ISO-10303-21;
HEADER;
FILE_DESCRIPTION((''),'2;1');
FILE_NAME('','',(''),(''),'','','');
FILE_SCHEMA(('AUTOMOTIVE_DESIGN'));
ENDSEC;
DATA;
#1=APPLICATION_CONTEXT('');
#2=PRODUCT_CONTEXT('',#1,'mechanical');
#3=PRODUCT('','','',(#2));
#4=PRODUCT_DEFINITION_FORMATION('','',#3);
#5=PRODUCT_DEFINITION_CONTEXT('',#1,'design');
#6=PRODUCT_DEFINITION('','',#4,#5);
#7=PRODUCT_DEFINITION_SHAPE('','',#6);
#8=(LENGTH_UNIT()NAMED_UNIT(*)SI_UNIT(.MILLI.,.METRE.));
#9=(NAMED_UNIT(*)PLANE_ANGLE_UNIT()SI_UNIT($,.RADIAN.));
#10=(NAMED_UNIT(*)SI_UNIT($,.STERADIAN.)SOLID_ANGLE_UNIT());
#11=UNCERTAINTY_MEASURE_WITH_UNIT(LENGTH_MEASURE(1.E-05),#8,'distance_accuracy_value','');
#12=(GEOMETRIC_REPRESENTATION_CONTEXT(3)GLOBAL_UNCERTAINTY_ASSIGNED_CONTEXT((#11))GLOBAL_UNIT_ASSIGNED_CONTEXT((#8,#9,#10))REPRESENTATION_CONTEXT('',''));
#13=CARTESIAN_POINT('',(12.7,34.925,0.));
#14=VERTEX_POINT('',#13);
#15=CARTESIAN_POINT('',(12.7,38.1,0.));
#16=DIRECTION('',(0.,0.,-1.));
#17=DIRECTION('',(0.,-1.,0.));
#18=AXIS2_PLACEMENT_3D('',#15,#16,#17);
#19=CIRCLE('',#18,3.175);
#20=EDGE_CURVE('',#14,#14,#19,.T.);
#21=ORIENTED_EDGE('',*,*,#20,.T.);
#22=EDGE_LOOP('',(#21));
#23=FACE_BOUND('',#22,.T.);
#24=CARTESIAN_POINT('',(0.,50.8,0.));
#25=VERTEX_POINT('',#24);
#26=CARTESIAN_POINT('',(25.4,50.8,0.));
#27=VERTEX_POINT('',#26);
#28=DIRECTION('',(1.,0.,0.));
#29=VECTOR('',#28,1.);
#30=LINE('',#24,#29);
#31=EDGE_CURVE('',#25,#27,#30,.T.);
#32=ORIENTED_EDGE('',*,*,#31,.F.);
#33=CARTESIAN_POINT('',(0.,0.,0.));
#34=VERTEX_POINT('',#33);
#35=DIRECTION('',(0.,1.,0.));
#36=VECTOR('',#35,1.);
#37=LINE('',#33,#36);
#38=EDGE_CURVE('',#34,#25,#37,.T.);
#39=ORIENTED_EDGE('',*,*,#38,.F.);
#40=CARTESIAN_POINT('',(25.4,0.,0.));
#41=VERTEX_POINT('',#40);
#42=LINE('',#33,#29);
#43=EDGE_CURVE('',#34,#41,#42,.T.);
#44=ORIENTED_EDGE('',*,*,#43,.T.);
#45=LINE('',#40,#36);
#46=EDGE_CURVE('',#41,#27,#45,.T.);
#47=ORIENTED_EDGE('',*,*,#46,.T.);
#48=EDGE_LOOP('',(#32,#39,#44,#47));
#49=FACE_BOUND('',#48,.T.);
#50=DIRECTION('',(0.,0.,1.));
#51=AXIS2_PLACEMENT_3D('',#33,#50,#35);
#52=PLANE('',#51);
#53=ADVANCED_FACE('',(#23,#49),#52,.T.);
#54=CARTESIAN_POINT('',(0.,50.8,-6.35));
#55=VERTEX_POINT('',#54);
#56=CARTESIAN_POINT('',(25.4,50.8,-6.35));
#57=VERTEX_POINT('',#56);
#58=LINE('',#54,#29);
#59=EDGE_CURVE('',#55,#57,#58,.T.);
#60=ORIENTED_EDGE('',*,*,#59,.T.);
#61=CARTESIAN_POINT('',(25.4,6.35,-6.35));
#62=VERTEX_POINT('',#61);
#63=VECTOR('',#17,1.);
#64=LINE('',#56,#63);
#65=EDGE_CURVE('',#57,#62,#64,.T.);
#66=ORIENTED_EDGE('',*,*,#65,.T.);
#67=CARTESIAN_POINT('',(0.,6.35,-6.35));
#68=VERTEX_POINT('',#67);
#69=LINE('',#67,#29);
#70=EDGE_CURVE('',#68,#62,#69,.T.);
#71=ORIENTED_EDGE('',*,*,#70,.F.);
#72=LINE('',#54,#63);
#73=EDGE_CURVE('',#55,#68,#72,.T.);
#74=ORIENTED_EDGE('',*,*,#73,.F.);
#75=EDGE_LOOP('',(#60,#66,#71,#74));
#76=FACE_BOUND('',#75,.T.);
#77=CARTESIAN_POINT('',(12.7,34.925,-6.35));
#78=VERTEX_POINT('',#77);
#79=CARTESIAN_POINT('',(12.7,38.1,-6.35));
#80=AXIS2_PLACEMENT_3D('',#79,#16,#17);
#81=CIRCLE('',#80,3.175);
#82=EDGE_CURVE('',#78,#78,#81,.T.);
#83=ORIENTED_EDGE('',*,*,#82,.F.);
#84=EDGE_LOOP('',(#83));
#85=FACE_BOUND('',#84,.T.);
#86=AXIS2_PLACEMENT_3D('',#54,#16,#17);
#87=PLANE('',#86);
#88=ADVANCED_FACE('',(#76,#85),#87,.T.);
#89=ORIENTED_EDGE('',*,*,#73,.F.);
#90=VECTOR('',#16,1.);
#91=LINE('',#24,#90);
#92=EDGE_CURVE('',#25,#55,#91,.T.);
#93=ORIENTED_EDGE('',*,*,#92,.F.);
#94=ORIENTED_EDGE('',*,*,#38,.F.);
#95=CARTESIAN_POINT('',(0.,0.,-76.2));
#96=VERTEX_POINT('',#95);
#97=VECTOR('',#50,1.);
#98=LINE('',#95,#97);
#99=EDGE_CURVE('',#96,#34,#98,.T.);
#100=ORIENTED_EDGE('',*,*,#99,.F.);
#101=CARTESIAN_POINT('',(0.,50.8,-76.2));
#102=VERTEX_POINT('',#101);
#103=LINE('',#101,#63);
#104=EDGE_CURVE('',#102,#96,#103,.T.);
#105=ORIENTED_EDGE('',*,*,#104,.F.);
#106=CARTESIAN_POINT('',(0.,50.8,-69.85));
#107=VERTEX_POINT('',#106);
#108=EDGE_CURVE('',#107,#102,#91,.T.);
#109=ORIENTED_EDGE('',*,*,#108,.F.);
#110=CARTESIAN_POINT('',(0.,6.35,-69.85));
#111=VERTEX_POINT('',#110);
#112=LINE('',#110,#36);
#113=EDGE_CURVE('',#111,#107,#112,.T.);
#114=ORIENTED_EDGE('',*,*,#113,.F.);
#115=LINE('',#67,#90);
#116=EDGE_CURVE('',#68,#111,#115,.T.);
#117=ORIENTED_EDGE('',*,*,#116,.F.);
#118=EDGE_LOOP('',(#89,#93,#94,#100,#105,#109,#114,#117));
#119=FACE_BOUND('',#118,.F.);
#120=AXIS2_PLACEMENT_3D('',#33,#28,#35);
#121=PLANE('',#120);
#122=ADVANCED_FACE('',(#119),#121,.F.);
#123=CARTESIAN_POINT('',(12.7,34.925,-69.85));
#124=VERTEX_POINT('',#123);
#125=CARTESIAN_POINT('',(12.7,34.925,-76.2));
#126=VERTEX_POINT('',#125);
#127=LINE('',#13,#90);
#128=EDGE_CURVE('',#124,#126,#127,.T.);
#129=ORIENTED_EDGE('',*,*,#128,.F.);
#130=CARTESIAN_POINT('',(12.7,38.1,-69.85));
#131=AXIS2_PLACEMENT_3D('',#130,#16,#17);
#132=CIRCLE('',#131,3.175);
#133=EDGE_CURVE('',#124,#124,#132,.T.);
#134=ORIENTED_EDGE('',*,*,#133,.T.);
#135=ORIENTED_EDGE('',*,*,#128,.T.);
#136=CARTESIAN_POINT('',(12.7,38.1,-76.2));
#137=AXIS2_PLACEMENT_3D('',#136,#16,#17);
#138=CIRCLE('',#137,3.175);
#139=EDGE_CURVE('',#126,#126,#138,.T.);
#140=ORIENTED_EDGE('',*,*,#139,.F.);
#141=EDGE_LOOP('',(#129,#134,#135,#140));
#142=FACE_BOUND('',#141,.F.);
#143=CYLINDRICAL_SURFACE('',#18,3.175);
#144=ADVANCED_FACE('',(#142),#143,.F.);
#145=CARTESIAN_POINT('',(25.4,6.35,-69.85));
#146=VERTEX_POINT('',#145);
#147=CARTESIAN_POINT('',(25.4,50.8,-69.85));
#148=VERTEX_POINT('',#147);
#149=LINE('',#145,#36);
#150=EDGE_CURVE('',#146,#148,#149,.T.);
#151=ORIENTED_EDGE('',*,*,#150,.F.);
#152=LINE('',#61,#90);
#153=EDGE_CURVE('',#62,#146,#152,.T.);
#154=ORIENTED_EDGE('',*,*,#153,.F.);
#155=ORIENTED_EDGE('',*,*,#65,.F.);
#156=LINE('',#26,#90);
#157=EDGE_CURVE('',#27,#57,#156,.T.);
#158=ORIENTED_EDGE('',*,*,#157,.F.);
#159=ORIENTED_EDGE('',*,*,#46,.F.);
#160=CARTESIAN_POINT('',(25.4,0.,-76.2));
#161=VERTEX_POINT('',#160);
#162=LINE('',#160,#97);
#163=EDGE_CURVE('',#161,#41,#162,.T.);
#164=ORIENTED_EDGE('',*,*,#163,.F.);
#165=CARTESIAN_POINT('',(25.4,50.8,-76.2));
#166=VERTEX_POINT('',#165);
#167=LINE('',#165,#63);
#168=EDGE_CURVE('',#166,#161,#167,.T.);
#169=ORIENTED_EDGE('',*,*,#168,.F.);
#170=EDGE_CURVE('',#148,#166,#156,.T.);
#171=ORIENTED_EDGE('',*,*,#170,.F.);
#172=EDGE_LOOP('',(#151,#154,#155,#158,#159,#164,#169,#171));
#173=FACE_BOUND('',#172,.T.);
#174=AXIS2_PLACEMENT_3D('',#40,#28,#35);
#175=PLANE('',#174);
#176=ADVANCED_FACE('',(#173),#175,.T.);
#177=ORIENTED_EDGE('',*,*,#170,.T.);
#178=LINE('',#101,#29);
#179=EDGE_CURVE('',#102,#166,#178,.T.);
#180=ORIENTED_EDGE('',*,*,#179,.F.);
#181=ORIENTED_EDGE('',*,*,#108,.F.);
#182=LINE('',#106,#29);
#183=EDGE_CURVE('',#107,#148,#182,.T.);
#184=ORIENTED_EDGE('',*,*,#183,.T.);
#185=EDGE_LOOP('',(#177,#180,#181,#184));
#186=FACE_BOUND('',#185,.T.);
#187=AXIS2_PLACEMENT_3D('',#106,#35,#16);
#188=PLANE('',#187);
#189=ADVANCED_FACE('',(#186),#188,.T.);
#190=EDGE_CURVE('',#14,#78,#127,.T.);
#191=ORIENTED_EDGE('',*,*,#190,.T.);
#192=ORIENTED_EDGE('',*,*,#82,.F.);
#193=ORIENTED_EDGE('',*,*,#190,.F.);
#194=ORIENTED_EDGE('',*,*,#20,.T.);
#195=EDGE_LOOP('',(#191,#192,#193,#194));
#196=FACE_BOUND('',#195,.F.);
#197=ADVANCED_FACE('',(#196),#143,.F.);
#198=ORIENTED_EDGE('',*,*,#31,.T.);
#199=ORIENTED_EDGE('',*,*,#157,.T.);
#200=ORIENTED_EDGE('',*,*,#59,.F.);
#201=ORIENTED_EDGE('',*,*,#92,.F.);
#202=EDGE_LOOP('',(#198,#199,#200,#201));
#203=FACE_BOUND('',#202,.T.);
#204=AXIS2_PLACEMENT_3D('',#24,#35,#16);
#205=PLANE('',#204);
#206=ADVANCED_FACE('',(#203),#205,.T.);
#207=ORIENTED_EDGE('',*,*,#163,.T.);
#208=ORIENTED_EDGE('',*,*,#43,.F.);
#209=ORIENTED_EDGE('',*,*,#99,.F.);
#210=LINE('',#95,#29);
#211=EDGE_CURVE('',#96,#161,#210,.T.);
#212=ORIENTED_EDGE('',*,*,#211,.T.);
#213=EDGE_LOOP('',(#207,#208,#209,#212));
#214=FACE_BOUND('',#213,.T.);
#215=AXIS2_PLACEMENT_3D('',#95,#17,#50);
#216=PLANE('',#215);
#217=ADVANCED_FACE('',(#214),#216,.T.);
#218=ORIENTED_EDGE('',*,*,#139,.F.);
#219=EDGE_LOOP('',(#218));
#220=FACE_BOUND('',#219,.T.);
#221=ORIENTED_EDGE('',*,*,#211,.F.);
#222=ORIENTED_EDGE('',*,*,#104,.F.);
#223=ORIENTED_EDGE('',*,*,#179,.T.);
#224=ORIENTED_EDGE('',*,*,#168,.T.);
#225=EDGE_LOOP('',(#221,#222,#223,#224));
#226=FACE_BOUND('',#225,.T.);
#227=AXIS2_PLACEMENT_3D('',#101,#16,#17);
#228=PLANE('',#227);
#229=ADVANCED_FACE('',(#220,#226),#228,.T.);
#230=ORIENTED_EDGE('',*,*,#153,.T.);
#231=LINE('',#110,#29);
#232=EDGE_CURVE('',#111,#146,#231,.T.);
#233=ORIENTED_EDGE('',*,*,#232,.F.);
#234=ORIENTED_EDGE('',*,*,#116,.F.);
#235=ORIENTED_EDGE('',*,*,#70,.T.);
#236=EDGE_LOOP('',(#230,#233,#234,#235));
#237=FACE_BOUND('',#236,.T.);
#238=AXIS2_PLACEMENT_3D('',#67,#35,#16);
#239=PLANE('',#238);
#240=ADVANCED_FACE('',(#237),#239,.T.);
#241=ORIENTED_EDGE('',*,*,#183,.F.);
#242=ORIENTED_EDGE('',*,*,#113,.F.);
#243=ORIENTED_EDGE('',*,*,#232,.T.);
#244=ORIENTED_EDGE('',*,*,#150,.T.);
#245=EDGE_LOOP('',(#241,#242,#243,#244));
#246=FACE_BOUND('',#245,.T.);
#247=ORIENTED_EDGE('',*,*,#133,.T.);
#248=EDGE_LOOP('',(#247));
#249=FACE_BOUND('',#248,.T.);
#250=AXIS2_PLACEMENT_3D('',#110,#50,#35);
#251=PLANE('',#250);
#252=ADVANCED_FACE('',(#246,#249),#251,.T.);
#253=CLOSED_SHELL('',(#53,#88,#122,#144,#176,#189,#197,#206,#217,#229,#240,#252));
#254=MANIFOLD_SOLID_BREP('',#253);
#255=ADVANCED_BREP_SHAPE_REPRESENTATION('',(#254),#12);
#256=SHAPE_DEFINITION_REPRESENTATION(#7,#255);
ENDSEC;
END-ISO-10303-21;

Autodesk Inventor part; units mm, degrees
ref_plane "YZ Plane" through (0, 0, 0) normal (1, 0, 0) x (0, 1, 0)
ref_plane "XZ Plane" through (0, 0, 0) normal (0, 1, 0) x (-1, 0, 0)
ref_plane "XY Plane" through (0, 0, 0) normal (0, 0, 1) x (1, 0, 0)
sketch "Sketch1" plane through (0, 0, 0) normal (1, 0, 0) x (0, 1, 0)
  line L0 (0, 0) -> (50.8, 0)
  line L1 (50.8, 0) -> (50.8, -76.2)
  line L2 (50.8, -76.2) -> (0, -76.2)
  line L3 (0, -76.2) -> (0, 0)
  line L4 (50.8, -6.35) -> (6.35, -6.35)
  line L5 (6.35, -6.35) -> (6.35, -69.85)
  line L6 (6.35, -69.85) -> (50.8, -69.85)
  line L7 (50.8, -69.85) -> (50.8, -6.35)
  dimension "d0" = 50.8
  dimension "d1" = 76.2
  dimension "d2" = 6.35
  dimension "d3" = 6.35
  dimension "d4" = 6.35
extrude "Extrusion1" add sketch "Sketch1" along normal blind 25.4 contours L0 L1 L4 L5 L6 L2 L3
sketch "Sketch2" plane through (0, 0, 0) normal (0, 0, 1) x (1, 0, 0)
  line L0 (0, 50.8) -> (0, 0) projected
  line L1 (0, 0) -> (25.4, 0) projected
  line L2 (25.4, 50.8) -> (25.4, 0) projected
  line L3 (0, 50.8) -> (25.4, 50.8) projected
  point P0 (12.7, 38.1)
  dimension "d7" = 12.7
  dimension "d8" = 12.7
hole "Hole1" at (12.7, 38.1, 0) direction (0, 0, -1) diameter 6.35 end through all
properties part number "StressProngs"
